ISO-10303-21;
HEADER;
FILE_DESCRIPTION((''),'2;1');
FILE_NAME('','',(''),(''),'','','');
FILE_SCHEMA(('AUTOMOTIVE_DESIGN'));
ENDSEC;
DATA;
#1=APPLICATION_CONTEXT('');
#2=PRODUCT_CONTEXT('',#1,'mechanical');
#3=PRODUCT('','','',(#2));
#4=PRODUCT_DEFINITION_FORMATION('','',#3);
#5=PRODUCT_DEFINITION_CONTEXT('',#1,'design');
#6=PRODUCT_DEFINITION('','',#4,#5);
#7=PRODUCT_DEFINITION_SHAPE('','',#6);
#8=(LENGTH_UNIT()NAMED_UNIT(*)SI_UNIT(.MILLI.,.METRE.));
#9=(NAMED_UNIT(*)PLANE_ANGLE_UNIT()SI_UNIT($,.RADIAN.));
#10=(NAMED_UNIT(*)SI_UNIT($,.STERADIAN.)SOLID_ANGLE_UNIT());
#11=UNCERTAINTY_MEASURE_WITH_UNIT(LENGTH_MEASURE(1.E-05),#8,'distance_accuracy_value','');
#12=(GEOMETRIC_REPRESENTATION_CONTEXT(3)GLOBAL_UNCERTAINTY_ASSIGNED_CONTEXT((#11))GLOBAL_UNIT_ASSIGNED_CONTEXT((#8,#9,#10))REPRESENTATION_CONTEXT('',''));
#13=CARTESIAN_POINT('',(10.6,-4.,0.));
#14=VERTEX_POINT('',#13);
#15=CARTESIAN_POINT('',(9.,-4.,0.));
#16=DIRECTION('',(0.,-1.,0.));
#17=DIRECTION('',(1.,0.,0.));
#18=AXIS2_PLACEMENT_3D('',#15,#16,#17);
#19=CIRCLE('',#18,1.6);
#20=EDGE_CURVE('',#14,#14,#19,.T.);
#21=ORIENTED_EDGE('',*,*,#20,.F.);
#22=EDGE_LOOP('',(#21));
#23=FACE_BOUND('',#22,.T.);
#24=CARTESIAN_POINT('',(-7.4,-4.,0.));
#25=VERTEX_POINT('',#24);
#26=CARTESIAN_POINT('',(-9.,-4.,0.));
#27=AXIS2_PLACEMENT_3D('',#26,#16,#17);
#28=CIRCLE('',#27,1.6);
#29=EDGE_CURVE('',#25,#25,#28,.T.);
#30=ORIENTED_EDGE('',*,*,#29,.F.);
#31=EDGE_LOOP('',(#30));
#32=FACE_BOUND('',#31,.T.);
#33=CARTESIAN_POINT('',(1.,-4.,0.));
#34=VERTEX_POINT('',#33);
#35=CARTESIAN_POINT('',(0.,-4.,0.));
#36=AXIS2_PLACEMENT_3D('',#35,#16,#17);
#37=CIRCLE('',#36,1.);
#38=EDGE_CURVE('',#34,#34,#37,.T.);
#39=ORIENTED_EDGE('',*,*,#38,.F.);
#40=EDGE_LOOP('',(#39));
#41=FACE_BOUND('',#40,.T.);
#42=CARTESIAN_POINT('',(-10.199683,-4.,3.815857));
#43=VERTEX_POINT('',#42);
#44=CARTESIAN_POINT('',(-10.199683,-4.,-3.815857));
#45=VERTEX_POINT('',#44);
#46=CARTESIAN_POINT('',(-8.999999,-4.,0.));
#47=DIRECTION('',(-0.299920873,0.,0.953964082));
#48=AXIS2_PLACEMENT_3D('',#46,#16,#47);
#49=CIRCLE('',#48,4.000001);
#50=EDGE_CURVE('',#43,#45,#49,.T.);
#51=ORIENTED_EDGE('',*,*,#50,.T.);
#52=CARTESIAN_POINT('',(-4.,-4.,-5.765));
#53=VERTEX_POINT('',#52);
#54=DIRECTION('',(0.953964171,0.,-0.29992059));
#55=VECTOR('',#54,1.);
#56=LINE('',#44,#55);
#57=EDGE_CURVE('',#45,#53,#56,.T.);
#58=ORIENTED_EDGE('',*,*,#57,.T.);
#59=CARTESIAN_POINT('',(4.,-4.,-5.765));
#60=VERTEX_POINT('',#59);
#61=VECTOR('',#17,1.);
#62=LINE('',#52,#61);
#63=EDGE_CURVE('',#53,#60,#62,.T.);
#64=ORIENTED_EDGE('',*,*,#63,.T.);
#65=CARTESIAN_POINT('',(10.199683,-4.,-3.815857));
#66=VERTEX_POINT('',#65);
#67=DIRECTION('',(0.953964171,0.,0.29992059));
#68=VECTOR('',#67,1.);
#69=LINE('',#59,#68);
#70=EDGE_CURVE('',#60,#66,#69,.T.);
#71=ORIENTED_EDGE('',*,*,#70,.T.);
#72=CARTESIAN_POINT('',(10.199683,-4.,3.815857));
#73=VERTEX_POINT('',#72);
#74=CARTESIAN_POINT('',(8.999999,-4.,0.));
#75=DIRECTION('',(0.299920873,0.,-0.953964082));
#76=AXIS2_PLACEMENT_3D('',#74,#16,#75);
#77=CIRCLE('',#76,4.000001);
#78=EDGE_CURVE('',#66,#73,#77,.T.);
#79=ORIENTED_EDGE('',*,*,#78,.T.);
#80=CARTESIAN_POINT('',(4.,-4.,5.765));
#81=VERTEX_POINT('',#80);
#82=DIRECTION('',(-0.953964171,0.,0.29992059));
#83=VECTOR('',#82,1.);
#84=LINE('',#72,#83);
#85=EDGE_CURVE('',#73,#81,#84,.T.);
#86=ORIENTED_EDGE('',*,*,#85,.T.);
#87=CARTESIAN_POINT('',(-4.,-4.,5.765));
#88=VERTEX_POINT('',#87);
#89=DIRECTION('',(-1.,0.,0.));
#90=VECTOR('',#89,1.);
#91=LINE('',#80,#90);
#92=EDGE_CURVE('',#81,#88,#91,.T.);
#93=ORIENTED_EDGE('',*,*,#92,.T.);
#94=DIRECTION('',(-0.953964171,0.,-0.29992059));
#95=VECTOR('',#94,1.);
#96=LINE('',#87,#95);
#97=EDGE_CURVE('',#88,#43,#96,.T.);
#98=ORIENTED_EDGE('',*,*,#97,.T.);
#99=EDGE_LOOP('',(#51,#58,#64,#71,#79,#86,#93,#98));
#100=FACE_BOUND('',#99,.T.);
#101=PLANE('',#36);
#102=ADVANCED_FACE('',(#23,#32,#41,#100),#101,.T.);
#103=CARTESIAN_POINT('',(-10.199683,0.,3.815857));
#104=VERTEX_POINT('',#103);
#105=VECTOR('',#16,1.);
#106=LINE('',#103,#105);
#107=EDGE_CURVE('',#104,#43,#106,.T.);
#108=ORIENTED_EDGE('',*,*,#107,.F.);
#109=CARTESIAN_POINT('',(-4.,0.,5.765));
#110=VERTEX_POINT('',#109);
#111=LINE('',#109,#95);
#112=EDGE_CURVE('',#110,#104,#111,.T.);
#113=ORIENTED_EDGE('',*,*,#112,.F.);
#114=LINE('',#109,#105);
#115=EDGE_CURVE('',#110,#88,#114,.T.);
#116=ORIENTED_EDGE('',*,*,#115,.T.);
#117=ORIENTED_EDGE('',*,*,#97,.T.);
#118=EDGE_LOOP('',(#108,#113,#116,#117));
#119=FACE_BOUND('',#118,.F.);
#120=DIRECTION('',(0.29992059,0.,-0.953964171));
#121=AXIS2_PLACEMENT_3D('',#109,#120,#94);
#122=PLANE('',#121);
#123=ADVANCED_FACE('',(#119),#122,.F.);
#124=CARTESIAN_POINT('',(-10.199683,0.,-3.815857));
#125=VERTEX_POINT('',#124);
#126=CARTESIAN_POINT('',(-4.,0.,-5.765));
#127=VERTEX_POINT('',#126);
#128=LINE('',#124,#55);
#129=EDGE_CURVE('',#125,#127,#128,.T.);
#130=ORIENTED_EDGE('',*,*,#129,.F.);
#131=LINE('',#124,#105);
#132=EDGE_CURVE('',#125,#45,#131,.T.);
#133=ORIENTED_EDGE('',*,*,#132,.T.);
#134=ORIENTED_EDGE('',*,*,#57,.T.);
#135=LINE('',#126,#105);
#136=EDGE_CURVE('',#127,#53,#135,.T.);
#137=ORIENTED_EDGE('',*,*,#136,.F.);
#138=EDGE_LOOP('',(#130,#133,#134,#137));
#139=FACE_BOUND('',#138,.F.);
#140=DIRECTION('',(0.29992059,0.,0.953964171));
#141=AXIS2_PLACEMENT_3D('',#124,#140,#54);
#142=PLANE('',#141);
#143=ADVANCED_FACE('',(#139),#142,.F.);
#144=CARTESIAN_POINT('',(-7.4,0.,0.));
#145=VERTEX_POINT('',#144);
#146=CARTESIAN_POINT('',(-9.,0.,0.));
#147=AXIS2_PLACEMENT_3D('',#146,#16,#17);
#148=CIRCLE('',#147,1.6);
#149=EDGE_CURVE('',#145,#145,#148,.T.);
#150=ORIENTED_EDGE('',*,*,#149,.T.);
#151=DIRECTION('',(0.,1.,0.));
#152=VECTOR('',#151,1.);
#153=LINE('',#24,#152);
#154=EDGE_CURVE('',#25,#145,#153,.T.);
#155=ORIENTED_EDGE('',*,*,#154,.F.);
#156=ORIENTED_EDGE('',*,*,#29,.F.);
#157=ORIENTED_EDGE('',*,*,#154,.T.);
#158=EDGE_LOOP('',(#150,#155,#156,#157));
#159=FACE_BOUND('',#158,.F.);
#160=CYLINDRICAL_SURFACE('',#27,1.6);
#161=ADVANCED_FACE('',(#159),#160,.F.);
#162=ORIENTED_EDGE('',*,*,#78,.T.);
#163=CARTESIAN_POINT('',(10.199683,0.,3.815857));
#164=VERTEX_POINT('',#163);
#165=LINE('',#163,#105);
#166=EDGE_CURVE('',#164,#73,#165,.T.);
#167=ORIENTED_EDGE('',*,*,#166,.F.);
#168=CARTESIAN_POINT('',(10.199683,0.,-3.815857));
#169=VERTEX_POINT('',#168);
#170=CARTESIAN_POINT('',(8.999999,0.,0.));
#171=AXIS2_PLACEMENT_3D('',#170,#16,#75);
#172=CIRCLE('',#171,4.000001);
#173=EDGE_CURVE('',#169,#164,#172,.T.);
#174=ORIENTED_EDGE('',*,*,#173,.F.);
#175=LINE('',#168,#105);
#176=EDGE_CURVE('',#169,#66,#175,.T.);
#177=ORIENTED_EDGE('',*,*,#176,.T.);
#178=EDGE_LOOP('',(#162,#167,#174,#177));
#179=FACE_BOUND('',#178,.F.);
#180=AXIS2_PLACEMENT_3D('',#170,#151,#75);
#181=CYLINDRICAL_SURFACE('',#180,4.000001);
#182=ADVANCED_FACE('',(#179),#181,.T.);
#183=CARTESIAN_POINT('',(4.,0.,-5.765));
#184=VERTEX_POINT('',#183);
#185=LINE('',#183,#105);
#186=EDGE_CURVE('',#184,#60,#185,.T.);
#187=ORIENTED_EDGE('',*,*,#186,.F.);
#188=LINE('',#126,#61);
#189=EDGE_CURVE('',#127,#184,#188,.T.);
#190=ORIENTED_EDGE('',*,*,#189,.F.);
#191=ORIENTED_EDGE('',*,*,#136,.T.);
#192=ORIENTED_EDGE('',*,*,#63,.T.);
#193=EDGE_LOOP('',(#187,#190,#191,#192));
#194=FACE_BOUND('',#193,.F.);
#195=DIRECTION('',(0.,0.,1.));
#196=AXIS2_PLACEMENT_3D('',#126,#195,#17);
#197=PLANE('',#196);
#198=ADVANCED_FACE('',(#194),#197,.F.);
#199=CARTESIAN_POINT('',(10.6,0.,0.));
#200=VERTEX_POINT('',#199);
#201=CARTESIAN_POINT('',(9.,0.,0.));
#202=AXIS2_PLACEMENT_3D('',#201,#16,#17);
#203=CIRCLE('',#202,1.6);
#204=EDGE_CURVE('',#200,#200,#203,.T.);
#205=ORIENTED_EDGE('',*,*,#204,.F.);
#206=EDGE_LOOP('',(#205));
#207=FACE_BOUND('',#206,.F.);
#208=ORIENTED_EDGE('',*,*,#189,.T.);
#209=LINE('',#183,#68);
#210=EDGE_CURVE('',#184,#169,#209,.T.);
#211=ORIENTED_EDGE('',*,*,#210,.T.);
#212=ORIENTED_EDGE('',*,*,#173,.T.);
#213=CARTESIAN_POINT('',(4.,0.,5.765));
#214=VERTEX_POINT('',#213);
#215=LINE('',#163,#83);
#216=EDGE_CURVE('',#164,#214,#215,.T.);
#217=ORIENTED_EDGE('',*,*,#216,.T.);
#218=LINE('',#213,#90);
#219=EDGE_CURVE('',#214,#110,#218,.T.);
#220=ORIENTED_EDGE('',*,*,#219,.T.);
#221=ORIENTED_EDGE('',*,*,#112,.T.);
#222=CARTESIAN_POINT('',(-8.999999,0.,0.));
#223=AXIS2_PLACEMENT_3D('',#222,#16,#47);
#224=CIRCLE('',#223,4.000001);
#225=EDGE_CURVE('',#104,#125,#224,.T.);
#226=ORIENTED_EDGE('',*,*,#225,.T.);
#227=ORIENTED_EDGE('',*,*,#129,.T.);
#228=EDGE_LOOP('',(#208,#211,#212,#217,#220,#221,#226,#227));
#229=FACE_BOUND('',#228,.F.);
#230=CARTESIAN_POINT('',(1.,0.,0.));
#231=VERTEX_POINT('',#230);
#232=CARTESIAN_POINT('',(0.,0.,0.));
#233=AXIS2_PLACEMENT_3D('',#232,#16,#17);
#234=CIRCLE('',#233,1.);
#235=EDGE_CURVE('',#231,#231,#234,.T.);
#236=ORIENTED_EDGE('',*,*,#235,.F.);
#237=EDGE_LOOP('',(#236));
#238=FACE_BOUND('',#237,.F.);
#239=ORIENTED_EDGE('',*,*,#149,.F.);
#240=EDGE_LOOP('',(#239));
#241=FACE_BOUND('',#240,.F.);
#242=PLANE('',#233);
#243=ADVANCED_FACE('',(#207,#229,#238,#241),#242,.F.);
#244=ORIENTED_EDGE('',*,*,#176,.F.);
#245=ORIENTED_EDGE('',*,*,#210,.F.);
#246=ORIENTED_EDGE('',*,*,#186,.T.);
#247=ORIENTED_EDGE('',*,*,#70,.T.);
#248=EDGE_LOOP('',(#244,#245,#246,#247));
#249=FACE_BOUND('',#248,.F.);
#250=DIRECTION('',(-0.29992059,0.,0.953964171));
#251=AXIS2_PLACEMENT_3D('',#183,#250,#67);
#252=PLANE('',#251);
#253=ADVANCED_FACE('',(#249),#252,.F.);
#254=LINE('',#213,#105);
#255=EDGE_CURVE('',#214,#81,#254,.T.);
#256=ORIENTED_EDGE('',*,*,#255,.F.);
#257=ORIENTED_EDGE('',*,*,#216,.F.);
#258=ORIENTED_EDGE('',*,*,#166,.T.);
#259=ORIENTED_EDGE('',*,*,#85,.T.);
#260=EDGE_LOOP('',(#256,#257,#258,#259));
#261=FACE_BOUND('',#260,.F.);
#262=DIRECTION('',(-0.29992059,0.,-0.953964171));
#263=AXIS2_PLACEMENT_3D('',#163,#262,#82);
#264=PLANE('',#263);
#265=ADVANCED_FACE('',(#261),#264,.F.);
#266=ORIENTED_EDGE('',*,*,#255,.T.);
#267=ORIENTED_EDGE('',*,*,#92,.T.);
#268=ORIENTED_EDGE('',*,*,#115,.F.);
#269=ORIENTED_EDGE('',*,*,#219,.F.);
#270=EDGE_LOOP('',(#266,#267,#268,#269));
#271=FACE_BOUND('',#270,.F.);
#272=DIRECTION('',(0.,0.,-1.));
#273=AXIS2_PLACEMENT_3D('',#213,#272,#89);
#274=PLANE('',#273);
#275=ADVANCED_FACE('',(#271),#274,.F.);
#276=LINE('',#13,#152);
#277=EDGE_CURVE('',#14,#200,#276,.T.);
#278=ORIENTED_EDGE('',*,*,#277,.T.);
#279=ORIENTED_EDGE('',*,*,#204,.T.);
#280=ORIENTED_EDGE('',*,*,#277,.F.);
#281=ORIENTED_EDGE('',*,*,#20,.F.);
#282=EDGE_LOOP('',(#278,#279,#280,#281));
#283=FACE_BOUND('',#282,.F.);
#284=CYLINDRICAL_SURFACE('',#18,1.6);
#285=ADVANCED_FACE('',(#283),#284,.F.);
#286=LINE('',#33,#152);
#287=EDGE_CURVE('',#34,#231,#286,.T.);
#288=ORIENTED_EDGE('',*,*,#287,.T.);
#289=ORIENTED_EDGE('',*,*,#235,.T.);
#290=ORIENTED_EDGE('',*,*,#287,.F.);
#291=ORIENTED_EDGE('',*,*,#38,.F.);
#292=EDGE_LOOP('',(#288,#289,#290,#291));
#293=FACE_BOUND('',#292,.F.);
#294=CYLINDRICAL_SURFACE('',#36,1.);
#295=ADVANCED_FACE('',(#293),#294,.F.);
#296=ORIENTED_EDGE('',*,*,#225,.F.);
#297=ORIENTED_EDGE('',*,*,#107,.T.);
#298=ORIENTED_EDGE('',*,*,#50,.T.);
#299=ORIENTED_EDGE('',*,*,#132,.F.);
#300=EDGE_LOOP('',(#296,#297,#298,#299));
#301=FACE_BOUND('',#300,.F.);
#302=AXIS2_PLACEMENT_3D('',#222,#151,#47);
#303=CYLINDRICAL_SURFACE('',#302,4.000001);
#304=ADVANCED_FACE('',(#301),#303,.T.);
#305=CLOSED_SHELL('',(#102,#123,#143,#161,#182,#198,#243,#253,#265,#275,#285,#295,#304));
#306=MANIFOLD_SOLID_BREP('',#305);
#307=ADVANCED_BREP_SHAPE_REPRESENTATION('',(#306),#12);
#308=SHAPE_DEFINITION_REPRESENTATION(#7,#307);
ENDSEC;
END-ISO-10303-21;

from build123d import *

# Parameters (mm, degrees)
F1_DEPTH = 4
F2_R     = 1.6
F3_DEPTH = 4.001
F4_R     = 1
F5_DEPTH = 4.001


with BuildPart() as f1:
    # F0 (on Front) → F1 (new body)
    with BuildSketch(Plane.XZ):
        with BuildLine():
            Line((-4, 5.765), (-10.199683, 3.815857))
            ThreePointArc((-10.199683, 3.815857), (-13, 0), (-10.199683, -3.815857))
            Line((-10.199683, -3.815857), (-4, -5.765))
            Line((-4, -5.765), (4, -5.765))
            Line((4, -5.765), (10.199683, -3.815857))
            ThreePointArc((10.199683, -3.815857), (13, 0), (10.199683, 3.815857))
            Line((10.199683, 3.815857), (4, 5.765))
            Line((4, 5.765), (-4, 5.765))
        make_face()
    extrude(amount=F1_DEPTH)

    # F2 (on face) → F3 (cut, through all)
    with BuildSketch(Plane.XZ.offset(4)):
        with Locations((-9, 0)):
            Circle(F2_R)
        with Locations((9, 0)):
            Circle(F2_R)
    extrude(amount=-F3_DEPTH, mode=Mode.SUBTRACT)

    # F4 (on face) → F5 (cut, through all)
    with BuildSketch(Plane.XZ.offset(4)):
        Circle(F4_R)
    extrude(amount=-F5_DEPTH, mode=Mode.SUBTRACT)


solid = f1.part
